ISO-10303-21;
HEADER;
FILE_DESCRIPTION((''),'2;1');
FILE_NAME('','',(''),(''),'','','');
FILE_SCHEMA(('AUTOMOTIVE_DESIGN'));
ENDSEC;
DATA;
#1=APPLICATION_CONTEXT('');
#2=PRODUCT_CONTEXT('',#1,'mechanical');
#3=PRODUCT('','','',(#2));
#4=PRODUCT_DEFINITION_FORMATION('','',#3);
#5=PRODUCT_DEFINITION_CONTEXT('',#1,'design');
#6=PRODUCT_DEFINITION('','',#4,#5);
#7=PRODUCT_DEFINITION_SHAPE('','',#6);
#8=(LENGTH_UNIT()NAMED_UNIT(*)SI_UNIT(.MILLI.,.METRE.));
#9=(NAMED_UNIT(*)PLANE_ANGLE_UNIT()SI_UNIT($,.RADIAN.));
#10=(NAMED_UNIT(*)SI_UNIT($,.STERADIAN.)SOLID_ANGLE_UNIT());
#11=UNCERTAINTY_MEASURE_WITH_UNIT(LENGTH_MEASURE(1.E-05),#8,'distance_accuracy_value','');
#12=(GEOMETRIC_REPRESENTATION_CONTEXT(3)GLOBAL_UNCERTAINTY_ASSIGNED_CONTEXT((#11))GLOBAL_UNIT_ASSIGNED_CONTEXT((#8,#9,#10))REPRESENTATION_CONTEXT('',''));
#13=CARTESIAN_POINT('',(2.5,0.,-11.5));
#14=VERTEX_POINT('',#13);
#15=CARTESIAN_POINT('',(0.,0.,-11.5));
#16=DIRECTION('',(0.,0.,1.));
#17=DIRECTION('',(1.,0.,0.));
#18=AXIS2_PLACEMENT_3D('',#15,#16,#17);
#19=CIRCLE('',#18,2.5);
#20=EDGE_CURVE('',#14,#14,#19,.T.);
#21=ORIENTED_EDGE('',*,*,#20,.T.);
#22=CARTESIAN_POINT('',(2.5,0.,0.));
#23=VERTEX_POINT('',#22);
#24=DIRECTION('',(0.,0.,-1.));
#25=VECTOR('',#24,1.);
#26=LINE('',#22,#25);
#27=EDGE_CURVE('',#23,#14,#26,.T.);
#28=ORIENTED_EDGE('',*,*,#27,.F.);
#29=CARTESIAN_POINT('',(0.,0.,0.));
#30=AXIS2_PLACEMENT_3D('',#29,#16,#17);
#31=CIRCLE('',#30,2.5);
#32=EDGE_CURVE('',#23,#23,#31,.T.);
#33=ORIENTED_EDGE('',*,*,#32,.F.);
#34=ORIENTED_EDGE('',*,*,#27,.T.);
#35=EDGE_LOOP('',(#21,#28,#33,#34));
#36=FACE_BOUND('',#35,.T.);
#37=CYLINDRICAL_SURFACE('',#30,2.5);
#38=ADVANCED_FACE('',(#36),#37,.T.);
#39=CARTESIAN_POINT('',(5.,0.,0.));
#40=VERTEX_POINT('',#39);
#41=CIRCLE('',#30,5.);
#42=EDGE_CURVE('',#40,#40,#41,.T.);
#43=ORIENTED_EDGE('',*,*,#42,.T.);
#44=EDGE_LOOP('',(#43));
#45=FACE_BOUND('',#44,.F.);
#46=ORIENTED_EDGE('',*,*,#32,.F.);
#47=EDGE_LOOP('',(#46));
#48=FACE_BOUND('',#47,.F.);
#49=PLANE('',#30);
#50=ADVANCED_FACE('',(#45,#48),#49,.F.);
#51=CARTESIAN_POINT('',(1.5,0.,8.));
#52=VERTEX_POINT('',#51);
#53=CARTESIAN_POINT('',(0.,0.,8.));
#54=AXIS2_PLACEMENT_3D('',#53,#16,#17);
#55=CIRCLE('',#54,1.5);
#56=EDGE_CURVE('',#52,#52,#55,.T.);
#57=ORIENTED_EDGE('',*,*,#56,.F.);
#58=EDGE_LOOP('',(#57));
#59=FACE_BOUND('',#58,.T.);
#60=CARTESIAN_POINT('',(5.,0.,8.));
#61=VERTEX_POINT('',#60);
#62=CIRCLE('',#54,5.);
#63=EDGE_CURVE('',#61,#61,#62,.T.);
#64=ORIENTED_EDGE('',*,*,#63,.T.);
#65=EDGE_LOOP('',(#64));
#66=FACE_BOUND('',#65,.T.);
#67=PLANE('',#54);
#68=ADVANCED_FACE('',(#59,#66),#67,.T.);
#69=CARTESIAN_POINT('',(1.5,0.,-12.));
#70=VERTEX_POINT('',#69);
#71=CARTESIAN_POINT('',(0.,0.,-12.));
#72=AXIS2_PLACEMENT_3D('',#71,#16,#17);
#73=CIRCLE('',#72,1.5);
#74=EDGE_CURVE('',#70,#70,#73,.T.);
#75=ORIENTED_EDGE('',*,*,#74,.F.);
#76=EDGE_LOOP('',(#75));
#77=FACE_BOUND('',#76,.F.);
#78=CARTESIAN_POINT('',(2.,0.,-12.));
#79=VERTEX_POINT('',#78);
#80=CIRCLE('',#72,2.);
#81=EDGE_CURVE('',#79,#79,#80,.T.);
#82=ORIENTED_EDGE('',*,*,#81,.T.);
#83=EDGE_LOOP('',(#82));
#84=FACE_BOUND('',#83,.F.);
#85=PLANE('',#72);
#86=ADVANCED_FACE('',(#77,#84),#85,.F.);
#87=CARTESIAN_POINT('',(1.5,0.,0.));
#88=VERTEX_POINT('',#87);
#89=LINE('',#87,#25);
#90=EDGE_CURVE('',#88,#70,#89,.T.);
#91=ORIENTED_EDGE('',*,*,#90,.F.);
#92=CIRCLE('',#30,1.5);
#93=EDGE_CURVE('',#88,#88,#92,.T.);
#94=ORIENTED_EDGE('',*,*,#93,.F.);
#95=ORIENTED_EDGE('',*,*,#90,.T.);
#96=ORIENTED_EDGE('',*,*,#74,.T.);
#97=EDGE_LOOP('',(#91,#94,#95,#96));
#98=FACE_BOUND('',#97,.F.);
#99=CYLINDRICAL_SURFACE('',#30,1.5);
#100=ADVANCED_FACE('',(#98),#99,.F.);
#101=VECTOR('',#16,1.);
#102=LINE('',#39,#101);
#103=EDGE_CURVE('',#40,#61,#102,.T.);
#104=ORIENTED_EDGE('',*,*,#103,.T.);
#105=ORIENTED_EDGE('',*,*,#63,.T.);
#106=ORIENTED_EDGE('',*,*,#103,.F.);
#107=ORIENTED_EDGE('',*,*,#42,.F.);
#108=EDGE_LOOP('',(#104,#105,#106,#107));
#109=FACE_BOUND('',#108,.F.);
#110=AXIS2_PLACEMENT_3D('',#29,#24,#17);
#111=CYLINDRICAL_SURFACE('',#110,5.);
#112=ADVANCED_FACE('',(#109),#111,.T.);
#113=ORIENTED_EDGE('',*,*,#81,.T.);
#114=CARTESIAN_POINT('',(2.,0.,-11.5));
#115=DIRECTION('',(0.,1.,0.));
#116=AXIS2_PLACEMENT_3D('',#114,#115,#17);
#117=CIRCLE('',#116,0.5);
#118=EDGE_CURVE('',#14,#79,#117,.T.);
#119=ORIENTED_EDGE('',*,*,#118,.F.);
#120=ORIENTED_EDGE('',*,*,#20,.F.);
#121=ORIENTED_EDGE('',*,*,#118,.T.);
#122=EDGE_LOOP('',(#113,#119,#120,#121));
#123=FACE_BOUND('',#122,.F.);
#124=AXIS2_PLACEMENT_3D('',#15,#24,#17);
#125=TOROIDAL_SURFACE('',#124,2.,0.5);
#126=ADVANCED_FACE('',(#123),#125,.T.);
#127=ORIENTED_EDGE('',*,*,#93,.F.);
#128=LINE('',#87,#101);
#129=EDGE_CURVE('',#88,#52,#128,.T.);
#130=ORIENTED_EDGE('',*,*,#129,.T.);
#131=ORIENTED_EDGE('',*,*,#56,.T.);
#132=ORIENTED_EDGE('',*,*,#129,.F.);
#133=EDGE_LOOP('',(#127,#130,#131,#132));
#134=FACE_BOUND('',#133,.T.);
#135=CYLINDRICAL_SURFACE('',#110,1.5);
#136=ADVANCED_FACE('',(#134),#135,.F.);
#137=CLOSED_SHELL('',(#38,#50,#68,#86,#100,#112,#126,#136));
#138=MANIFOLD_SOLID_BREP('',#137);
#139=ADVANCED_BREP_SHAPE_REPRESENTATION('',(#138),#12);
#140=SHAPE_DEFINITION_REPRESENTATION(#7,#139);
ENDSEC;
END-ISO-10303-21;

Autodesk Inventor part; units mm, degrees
ref_plane "YZ Plane" through (0, 0, 0) normal (1, 0, 0) x (0, 1, 0)
ref_plane "XZ Plane" through (0, 0, 0) normal (0, 1, 0) x (-1, 0, 0)
ref_plane "XY Plane" through (0, 0, 0) normal (0, 0, 1) x (1, 0, 0)
sketch "Sketch1" plane through (0, 0, 0) normal (0, 0, 1) x (1, 0, 0)
  circle A0 centre (0, 0) radius 5
  circle A1 centre (0, 0) radius 2.5
  circle A2 centre (0, 0) radius 1.5
  dimension "d0" = 10
  dimension "d1" = 5
  dimension "d7" = 3
extrude "Extrusion1" add sketch "Sketch1" along normal blind 8 contours A0 | A1
extrude "Extrusion2" add sketch "Sketch1" against normal blind 12 contours A1
fillet "Fillet1" radius 0.5 1 edges at (-2.5, 0, -12)
properties part number "Tubing_Male_Connector"
